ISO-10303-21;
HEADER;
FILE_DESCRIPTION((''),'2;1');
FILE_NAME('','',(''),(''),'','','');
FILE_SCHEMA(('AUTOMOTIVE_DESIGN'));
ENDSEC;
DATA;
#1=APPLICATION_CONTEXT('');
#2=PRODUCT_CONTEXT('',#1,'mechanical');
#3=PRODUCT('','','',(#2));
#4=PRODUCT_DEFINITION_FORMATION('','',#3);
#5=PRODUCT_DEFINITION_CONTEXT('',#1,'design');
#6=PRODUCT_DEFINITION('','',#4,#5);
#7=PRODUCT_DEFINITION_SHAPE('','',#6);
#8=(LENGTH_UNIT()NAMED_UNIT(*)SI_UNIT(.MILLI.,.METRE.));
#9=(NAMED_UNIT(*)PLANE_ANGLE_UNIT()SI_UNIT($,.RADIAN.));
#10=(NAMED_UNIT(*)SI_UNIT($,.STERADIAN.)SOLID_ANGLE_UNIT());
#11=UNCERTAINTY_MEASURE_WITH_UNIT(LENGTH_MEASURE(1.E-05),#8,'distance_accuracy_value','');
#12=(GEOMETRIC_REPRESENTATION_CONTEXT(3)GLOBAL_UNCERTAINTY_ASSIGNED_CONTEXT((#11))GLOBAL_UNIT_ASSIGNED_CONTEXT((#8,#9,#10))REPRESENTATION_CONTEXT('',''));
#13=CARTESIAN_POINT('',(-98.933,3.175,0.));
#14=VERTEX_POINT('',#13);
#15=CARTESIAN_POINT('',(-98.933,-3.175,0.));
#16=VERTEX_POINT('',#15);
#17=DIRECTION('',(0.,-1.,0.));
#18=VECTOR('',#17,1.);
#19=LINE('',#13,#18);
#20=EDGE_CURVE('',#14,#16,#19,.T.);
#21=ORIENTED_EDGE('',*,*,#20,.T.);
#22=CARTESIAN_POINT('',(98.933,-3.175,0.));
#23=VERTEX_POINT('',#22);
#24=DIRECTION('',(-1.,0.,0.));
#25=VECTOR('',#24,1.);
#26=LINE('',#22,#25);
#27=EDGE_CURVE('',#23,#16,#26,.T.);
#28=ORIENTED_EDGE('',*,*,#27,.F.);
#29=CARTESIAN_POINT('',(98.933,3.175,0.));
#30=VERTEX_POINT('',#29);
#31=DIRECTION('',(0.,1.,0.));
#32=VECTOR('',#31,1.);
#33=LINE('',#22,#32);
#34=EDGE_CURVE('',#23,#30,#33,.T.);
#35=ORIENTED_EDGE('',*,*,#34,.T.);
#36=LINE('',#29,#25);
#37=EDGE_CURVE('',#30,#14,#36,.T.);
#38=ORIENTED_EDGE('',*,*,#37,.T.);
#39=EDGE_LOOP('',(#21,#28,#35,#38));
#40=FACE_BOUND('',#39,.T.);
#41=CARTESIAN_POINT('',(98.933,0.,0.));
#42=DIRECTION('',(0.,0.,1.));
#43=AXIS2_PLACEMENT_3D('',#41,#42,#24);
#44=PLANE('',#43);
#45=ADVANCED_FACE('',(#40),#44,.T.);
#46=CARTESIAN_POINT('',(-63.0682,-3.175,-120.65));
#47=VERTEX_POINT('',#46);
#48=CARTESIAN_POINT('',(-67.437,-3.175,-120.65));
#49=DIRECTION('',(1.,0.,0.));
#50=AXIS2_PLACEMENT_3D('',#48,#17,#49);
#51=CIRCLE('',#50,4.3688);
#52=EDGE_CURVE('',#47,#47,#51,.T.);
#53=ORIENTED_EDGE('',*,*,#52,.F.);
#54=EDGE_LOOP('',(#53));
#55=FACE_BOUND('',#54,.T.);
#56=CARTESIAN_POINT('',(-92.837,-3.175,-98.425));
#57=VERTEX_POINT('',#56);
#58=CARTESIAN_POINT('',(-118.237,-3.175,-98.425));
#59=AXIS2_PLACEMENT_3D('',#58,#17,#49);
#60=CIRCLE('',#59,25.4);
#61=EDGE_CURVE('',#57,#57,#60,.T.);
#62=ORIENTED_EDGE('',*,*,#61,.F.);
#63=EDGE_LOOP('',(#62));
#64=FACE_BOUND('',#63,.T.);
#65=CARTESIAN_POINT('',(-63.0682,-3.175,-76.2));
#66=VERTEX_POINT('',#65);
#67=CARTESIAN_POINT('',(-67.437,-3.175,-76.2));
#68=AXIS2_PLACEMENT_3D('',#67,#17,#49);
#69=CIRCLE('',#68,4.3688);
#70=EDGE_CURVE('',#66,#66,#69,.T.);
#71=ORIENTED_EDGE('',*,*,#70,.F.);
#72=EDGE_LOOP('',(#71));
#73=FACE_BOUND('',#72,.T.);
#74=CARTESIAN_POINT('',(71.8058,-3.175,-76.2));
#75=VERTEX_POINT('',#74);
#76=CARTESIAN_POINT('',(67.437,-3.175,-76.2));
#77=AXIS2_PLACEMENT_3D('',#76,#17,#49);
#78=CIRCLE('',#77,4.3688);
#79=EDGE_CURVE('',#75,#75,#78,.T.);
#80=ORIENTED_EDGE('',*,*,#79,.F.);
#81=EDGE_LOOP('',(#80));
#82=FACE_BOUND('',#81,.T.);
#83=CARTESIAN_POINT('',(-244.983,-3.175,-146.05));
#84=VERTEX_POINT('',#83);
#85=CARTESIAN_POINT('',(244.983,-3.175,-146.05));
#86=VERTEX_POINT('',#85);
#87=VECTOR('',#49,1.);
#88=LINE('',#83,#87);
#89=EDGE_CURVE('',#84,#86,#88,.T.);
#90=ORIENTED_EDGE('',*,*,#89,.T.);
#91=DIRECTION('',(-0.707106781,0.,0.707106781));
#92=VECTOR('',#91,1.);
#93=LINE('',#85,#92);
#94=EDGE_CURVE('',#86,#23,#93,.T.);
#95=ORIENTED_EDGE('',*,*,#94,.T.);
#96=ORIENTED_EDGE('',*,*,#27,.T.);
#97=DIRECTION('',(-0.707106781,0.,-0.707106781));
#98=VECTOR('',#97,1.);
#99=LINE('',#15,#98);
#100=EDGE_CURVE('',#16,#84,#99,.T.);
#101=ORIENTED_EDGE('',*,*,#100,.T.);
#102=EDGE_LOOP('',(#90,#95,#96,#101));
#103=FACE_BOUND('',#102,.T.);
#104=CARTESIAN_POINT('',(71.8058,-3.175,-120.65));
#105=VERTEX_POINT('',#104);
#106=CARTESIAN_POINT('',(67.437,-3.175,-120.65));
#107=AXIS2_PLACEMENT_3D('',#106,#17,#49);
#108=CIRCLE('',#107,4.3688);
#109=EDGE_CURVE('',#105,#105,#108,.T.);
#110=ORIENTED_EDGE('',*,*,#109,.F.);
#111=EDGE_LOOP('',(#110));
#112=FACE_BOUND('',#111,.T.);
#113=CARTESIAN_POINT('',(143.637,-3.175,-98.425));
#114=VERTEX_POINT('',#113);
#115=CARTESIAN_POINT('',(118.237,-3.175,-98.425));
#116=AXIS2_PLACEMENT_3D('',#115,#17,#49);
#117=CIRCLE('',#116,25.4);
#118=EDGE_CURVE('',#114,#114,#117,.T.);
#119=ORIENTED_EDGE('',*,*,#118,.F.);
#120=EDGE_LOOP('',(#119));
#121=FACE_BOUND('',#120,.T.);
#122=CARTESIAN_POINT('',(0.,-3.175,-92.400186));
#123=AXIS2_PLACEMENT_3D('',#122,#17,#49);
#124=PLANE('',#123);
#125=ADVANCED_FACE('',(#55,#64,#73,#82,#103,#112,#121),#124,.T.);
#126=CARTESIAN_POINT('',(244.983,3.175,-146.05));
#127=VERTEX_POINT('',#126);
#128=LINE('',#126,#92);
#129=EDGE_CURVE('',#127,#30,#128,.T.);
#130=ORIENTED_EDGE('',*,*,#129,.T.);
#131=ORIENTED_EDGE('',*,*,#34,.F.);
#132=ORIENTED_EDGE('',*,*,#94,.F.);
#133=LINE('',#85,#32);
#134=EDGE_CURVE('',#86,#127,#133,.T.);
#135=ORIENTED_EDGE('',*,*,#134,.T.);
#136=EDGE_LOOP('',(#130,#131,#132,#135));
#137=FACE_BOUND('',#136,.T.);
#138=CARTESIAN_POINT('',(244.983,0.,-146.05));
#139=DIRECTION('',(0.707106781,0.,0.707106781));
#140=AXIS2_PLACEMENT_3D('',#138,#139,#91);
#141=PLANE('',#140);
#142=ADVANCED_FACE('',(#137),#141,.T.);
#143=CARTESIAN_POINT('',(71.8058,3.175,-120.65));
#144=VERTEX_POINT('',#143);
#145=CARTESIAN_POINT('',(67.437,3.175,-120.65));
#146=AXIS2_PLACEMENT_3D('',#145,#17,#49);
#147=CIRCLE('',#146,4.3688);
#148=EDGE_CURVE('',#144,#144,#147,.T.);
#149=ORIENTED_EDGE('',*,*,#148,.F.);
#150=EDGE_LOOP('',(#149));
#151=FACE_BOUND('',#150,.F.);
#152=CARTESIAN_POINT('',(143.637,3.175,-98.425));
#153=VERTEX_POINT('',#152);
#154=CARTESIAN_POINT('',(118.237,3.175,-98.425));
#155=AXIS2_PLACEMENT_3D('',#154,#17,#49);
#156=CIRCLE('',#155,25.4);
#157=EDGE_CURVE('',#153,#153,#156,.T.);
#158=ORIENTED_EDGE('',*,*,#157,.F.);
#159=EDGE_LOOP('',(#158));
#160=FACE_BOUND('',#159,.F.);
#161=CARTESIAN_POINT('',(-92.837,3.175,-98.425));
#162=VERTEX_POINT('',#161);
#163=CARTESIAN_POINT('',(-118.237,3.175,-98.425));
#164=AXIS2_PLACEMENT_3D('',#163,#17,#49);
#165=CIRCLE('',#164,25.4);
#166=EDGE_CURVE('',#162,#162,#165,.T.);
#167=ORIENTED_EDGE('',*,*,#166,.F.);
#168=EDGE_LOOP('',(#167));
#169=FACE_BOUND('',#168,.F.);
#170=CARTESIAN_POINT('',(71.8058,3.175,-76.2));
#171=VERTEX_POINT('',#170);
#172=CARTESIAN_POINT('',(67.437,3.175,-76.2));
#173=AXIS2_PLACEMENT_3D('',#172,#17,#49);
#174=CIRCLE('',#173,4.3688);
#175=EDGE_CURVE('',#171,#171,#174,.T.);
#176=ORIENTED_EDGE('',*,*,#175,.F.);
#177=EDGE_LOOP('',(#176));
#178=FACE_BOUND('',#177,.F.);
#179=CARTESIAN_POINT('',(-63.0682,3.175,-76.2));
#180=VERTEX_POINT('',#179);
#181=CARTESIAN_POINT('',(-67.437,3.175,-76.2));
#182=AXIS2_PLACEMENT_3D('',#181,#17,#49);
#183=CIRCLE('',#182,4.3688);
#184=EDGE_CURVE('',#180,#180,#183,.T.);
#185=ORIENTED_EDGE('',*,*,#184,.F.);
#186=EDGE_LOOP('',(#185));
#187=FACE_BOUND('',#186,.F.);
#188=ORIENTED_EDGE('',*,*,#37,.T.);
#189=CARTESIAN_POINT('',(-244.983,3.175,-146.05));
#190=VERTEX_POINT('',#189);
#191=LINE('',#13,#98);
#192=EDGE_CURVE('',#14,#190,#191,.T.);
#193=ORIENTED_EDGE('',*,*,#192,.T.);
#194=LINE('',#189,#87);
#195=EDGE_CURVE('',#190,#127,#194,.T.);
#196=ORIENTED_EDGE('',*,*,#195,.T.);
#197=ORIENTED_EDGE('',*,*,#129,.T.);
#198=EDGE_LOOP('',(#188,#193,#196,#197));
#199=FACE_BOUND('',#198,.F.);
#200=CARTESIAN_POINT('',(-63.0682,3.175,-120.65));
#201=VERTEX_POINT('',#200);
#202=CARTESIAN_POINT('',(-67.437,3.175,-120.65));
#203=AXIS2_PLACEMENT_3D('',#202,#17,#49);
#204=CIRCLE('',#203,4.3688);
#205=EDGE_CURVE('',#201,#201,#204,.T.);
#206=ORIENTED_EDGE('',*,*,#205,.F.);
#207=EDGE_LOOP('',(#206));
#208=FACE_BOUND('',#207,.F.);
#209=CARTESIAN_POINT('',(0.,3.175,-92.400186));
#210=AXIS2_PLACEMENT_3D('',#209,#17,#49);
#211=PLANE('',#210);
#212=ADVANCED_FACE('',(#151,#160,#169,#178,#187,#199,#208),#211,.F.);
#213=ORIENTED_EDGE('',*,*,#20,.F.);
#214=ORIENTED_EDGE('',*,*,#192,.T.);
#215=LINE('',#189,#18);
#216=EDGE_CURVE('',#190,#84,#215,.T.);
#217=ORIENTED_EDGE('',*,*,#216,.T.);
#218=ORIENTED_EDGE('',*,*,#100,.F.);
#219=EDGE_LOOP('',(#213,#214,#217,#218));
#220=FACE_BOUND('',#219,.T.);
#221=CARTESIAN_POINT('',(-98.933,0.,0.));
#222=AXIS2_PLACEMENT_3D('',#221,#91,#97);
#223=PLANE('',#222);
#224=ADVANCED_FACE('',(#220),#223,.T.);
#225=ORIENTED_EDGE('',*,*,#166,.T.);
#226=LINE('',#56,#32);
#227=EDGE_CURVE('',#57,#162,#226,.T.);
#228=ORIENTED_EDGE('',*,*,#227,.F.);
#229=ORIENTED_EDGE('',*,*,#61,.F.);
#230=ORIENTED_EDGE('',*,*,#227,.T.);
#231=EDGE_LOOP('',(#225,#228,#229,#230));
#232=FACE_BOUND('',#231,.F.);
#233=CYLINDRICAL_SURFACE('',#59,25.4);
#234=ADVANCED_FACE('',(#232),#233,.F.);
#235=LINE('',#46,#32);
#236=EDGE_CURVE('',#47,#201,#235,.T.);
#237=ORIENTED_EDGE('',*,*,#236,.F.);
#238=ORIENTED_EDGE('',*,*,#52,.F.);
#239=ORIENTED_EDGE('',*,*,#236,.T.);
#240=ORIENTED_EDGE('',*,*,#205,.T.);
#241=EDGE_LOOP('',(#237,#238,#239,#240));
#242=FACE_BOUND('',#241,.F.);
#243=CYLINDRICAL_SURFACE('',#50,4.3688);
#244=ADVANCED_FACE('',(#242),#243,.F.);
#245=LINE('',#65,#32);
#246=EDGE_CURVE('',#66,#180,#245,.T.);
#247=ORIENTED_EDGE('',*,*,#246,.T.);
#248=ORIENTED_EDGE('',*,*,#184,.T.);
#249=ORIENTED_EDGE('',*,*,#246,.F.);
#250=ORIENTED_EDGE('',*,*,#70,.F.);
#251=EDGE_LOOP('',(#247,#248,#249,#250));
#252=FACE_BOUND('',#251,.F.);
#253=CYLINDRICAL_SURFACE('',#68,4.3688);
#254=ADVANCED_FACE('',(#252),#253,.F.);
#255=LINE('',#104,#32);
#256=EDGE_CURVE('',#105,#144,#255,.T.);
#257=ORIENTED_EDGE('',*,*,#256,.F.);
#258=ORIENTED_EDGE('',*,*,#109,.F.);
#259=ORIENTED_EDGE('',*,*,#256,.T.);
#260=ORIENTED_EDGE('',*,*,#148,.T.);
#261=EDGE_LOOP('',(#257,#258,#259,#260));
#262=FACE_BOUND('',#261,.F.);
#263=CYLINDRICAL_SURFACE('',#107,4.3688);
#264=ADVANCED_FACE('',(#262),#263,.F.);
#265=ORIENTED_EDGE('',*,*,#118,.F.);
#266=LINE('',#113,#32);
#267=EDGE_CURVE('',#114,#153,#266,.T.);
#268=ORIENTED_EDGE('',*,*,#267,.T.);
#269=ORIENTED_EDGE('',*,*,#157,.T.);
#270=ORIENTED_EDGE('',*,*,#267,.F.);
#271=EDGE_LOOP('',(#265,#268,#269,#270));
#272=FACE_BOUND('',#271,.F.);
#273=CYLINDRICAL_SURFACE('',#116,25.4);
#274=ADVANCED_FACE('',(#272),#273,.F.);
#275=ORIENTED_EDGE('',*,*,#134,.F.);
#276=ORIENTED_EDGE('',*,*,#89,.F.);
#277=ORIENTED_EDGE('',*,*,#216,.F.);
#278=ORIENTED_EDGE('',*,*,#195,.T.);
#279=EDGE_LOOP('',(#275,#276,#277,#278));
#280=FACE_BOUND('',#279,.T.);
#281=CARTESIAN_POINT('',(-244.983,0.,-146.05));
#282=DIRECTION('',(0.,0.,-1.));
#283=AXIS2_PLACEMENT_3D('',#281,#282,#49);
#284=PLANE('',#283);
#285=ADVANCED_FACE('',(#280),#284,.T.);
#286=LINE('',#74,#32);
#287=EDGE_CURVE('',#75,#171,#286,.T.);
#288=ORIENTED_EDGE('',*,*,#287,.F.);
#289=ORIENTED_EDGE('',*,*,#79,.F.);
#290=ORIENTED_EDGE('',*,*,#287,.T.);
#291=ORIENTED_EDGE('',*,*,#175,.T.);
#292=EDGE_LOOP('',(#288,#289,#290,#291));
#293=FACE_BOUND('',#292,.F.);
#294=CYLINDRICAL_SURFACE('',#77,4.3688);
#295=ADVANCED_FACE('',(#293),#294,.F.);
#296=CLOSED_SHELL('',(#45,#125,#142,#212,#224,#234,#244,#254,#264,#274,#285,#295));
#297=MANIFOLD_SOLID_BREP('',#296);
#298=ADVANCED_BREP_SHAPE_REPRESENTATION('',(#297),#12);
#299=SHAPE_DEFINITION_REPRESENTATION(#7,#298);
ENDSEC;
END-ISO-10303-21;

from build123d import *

# Parameters (mm, degrees)
F1_DEPTH = 3.175
F2_R     = 4.3688
F2_R_2   = 25.4
F3_DEPTH = 6.351


with BuildPart() as f1:
    # F0 (on Front) → F1 (new body, symmetric)
    with BuildSketch(Plane.XZ):
        Polygon((98.933, 0), (-98.933, 0), (-244.983, -146.05), (244.983, -146.05), align=None)
    extrude(amount=F1_DEPTH, both=True)

    # F2 (on face) → F3 (cut, through all)
    with BuildSketch(Plane.XZ.offset(3.175)):
        with Locations((67.437, -76.2)):
            Circle(F2_R)
        with Locations((67.437, -120.65)):
            Circle(F2_R)
        with Locations((-67.437, -76.2)):
            Circle(F2_R)
        with Locations((-67.437, -120.65)):
            Circle(F2_R)
        with Locations((-118.237, -98.425)):
            Circle(F2_R_2)
        with Locations((118.237, -98.425)):
            Circle(F2_R_2)
    extrude(amount=-F3_DEPTH, mode=Mode.SUBTRACT)


solid = f1.part
